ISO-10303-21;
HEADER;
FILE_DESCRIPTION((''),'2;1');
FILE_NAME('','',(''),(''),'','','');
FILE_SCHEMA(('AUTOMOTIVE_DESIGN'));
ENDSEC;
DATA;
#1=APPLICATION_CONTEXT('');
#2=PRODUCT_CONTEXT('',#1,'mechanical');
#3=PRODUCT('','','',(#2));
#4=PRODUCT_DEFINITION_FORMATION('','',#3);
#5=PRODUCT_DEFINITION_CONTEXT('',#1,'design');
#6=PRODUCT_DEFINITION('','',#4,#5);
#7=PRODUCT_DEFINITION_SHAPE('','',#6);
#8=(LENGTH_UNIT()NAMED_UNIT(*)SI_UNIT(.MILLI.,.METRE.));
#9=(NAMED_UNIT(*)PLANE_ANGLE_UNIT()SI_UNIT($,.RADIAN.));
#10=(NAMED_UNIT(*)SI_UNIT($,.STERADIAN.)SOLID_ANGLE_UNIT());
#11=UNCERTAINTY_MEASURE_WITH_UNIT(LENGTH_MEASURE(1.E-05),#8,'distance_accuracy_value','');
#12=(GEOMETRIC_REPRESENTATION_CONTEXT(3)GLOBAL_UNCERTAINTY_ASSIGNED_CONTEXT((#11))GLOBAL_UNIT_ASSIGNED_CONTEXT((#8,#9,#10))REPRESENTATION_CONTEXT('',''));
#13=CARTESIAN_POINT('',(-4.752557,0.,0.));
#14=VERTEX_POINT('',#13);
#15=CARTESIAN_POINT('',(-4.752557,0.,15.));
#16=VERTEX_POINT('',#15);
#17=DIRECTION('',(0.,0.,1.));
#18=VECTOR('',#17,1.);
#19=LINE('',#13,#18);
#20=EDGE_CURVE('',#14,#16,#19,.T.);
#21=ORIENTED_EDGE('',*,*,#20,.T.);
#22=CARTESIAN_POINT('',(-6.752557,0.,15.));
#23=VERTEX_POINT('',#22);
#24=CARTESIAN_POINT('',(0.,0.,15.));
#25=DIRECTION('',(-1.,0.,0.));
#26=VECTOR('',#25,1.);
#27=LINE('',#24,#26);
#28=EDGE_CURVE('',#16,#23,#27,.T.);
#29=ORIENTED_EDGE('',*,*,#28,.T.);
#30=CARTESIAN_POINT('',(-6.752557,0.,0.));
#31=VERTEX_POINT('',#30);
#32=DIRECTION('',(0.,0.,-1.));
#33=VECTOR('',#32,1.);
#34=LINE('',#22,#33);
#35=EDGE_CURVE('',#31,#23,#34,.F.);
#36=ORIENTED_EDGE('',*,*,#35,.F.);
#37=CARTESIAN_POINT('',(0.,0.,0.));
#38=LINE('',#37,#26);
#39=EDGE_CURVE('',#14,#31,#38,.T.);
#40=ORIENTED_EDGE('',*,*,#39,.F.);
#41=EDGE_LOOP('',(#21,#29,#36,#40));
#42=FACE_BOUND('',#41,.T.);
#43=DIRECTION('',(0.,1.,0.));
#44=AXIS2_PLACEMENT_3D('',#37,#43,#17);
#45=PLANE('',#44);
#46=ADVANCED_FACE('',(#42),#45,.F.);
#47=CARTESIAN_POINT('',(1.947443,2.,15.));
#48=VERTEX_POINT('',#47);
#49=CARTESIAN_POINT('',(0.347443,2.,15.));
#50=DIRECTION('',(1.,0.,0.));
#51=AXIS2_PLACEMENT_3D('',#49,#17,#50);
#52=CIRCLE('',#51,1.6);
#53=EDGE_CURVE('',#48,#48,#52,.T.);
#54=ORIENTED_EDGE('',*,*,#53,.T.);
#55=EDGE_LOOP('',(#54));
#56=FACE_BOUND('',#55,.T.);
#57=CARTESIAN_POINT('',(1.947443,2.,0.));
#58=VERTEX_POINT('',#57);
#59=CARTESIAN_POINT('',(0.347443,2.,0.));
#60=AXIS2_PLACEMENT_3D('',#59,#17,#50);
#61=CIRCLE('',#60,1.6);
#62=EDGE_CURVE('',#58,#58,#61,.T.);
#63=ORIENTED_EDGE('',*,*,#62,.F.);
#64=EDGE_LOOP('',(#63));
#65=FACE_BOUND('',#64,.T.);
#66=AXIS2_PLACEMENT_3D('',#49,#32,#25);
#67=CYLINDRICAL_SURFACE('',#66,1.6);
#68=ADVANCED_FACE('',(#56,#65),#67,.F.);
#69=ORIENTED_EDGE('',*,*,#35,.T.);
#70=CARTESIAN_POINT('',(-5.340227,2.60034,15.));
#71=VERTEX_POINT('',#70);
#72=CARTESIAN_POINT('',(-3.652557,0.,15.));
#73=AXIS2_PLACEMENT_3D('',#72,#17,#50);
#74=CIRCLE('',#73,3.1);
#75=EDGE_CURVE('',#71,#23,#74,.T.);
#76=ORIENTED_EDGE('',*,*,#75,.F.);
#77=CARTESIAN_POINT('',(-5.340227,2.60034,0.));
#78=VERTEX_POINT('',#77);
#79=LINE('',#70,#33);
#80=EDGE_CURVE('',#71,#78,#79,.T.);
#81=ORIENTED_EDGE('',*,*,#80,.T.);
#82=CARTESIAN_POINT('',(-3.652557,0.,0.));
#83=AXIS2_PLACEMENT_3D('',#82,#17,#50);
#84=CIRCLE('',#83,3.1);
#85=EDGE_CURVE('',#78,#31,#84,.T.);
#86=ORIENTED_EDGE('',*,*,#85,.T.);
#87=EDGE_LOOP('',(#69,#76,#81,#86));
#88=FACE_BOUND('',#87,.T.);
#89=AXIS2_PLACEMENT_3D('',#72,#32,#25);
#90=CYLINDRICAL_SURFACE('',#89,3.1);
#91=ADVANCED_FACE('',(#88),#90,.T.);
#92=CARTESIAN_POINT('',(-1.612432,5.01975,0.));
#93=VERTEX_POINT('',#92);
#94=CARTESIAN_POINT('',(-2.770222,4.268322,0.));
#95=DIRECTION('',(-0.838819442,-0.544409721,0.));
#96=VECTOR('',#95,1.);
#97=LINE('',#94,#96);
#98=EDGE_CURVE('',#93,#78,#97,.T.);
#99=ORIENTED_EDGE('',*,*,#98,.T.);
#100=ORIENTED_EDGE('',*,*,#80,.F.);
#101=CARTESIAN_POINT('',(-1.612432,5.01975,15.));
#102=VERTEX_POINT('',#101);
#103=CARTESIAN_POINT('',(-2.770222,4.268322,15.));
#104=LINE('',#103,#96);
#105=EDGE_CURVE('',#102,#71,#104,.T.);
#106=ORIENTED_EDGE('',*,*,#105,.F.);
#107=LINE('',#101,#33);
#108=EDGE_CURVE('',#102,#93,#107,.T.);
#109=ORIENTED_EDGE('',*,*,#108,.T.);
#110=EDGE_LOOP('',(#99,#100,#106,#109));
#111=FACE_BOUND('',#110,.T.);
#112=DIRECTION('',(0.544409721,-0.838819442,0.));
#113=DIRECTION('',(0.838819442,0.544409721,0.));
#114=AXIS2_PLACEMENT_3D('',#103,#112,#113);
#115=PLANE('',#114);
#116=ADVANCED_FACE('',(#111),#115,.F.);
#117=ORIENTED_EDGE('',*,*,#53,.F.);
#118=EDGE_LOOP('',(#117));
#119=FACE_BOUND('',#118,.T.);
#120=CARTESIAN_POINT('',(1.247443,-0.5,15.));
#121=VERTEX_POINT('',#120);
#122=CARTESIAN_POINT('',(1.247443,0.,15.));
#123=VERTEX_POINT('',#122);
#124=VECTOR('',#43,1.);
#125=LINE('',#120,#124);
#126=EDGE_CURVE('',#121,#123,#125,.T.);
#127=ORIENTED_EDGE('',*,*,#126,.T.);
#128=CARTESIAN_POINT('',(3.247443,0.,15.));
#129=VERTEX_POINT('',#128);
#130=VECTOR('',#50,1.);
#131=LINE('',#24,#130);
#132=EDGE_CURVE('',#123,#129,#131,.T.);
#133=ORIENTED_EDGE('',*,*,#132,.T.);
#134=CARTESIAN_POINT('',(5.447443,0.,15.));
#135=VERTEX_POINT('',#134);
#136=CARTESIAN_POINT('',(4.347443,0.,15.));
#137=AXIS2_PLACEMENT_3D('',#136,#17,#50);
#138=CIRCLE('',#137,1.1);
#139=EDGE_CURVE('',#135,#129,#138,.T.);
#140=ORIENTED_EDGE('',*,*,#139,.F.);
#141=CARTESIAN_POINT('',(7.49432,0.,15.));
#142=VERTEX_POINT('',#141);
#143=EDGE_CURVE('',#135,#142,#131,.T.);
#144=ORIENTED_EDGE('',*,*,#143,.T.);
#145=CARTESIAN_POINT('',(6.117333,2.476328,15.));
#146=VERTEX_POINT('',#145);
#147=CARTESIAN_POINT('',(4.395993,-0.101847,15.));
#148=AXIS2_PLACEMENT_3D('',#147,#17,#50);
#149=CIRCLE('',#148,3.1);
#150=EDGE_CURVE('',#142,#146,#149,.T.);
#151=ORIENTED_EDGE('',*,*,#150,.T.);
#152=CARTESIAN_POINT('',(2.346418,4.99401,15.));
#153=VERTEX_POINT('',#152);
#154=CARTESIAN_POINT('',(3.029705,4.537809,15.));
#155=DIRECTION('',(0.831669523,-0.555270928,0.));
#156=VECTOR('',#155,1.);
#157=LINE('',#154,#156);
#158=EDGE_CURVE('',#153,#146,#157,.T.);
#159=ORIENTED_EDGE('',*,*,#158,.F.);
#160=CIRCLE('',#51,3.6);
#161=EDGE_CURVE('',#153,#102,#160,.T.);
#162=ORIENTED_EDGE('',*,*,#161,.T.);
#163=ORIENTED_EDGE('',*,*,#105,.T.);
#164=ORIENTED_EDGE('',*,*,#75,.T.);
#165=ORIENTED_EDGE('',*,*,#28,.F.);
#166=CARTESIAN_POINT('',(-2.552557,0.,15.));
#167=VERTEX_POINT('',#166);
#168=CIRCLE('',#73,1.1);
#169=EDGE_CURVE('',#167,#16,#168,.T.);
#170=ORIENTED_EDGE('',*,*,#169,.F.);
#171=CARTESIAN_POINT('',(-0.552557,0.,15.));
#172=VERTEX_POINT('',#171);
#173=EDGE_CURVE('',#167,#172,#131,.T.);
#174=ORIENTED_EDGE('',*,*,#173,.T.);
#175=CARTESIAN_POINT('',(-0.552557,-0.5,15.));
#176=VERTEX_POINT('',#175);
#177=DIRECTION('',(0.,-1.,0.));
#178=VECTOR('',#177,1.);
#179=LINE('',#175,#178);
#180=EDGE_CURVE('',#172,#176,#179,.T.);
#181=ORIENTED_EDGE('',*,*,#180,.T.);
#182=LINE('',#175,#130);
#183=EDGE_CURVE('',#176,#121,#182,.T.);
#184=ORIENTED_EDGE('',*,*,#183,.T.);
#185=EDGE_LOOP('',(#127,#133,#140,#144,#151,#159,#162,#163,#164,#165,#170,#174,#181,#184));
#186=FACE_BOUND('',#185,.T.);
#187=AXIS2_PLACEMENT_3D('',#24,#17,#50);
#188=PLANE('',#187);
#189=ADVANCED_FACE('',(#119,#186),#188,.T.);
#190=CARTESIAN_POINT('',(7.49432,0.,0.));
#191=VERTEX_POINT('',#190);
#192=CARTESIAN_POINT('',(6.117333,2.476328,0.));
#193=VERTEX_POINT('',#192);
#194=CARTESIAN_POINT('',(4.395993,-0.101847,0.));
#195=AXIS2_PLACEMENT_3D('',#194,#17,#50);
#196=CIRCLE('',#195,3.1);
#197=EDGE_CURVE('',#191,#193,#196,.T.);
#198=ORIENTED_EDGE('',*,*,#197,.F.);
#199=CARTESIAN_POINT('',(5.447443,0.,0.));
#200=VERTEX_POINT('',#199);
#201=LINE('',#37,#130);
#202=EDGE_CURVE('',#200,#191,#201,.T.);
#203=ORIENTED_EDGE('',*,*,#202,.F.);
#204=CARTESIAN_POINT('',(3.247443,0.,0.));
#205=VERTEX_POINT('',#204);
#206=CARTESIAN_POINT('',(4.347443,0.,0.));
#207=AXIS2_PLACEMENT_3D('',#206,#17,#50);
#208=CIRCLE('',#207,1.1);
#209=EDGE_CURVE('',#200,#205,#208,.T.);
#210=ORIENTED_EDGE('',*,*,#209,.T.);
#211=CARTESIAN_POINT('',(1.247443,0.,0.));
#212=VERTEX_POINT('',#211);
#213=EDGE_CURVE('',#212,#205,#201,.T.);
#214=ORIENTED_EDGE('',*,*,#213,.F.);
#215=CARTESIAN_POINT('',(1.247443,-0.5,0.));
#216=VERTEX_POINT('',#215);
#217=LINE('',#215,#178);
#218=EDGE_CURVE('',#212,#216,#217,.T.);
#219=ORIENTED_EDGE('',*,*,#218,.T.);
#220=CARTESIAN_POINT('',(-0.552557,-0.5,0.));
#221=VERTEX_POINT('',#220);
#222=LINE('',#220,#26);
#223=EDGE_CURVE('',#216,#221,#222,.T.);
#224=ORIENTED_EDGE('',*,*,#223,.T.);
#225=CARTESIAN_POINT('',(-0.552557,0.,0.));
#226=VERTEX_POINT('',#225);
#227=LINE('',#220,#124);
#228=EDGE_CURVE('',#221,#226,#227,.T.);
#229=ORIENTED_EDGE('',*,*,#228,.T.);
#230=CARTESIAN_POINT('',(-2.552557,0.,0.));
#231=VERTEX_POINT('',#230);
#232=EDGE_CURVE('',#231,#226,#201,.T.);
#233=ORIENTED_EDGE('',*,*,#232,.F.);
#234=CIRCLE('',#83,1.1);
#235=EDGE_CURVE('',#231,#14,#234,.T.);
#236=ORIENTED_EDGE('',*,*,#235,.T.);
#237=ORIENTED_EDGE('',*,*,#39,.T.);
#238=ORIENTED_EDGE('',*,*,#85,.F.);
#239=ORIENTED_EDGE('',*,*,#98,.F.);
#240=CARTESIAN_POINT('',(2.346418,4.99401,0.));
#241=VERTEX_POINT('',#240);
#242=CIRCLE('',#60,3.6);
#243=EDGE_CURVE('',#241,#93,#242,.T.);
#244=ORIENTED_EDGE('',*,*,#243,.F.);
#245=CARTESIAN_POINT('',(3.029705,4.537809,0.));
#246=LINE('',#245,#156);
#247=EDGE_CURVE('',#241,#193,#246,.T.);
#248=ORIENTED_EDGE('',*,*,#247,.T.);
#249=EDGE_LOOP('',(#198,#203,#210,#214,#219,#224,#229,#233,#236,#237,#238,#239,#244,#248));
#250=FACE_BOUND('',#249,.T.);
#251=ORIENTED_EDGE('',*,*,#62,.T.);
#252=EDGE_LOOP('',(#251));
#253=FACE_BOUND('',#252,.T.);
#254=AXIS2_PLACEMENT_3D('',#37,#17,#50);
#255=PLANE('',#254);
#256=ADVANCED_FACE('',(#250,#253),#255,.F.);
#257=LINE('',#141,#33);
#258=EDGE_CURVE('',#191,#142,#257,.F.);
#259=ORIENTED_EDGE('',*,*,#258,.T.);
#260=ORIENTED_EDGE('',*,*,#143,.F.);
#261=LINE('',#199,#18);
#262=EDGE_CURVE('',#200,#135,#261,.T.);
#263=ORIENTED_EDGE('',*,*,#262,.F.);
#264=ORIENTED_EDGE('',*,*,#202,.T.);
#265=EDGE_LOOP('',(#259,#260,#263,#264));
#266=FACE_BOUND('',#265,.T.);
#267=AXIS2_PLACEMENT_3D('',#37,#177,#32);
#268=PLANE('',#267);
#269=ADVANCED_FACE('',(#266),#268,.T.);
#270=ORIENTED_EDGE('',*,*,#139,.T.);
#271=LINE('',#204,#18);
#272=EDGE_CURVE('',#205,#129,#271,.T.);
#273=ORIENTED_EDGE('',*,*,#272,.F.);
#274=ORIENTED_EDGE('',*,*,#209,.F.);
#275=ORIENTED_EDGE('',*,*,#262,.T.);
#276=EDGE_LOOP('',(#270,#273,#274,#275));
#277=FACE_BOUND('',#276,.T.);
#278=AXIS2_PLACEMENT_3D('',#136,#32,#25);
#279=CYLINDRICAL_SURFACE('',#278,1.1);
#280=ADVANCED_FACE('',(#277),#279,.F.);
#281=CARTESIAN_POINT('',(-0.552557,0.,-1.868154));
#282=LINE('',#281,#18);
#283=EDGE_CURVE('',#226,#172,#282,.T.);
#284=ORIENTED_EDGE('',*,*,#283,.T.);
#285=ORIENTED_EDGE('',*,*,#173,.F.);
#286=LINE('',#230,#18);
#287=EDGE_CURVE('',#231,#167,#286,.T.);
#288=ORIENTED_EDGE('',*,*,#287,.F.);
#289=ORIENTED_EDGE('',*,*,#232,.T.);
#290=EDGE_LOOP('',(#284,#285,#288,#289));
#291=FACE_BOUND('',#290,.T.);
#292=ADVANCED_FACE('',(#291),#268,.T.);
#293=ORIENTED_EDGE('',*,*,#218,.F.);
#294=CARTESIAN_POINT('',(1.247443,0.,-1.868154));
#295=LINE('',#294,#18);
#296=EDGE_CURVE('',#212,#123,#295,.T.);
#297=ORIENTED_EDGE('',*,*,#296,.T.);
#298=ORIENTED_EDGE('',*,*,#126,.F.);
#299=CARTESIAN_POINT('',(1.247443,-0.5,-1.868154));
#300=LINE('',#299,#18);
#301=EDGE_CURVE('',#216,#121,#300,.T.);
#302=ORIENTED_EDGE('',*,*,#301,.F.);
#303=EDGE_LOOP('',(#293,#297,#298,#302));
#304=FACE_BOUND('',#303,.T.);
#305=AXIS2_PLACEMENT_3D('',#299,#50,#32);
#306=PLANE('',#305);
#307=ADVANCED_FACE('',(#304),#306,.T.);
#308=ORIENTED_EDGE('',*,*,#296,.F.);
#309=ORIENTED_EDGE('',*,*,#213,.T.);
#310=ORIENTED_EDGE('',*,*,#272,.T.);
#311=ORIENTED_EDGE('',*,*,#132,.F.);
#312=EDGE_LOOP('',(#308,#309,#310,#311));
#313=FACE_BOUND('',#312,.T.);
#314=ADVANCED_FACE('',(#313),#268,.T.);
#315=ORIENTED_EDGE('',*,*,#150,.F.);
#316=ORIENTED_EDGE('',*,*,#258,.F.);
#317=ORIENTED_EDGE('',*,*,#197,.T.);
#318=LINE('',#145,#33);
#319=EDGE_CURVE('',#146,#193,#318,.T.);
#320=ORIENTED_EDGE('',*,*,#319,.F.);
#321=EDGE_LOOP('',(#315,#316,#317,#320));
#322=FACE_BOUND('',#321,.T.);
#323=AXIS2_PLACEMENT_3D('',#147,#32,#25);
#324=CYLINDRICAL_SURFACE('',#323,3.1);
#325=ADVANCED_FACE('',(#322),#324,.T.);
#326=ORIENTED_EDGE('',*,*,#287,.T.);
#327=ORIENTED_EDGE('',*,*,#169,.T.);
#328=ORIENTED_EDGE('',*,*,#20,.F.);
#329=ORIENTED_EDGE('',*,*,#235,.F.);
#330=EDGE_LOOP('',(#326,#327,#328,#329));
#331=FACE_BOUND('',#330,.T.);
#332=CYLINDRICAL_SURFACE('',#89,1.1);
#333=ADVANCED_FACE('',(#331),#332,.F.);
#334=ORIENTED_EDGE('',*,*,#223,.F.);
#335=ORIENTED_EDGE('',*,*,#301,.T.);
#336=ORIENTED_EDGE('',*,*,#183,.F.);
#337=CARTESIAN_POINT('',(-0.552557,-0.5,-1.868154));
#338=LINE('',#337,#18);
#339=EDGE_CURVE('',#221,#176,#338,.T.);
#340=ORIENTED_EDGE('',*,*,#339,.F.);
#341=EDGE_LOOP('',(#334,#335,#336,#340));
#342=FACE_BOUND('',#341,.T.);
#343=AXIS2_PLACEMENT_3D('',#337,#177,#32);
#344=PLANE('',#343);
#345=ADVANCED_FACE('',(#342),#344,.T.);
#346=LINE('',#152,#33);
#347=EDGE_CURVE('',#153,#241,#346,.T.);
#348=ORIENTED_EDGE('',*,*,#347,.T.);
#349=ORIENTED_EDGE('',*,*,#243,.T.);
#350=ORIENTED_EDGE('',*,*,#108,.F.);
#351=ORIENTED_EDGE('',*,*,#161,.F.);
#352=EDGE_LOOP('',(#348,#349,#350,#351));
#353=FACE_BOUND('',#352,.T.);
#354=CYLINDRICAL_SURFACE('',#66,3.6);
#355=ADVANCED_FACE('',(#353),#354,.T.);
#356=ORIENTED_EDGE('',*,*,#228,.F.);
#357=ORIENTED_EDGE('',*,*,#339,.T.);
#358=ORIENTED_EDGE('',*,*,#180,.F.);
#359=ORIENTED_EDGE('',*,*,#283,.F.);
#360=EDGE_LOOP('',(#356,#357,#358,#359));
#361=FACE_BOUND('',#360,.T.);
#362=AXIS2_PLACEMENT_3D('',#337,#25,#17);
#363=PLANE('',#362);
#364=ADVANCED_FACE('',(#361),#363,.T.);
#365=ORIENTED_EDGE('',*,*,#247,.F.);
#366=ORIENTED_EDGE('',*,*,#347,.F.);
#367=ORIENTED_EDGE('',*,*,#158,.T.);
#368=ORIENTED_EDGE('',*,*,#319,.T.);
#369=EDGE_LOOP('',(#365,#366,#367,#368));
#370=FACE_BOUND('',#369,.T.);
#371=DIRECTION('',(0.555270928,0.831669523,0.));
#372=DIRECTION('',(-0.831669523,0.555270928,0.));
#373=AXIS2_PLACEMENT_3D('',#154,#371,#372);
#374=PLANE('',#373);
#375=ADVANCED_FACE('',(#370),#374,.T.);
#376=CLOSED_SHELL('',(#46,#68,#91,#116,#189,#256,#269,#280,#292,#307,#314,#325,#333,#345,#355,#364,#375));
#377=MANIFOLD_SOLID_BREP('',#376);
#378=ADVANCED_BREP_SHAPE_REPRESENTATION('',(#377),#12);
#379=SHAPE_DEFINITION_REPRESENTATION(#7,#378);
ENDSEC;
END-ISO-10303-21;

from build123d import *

# Parameters (mm, degrees)
SKETCH1_R           = 1.1
SKETCH1_R_2         = 1.6
BOSS_EXTRUDE1_DEPTH = 15
CUT_EXTRUDE1_DEPTH  = 15
SKETCH4_W           = 1.8
SKETCH4_H           = 0.5
BOSS_EXTRUDE2_DEPTH = 15


with BuildPart() as part:
    # Sketch1 → Boss-Extrude1 (new body)
    with BuildSketch(Plane.XY):
        with BuildLine():
            Line((-1.61243197, 5.01974999), (-5.34022711, 2.600340269))
            ThreePointArc((-5.34022711, 2.600340269), (-6.625018483, -0.880041239), (-3.652556975, -3.1))
            Line((-3.652556975, -3.1), (4.395993446, -3.201847309))
            ThreePointArc((4.395993446, -3.201847309), (7.362670385, -1.001195929), (6.117333323, 2.476328214))
            Line((6.117333323, 2.476328214), (2.346418367, 4.994010285))
            ThreePointArc((2.346418367, 4.994010285), (0.370849058, 5.59992391), (-1.61243197, 5.01974999))
        make_face()
        with Locations((4.347443025, 0)):
            Circle(SKETCH1_R, mode=Mode.SUBTRACT)
        with Locations((0.347443025, 2)):
            Circle(SKETCH1_R_2, mode=Mode.SUBTRACT)
        with Locations((-3.652556975, 0)):
            Circle(SKETCH1_R, mode=Mode.SUBTRACT)
    extrude(amount=BOSS_EXTRUDE1_DEPTH)

    # Sketch3 → Cut-Extrude1 (cut)
    with BuildSketch(Plane.XY.offset(15)):
        with BuildLine():
            Line((-3.652556975, -3.1), (-3.652556975, -1.1))
            ThreePointArc((-3.652556975, -1.1), (-4.430374434, -0.777817459), (-4.752556975, 0))
            Line((-4.752556975, 0), (-6.752556975, 0))
            ThreePointArc((-6.752556975, 0), (-5.844587997, -2.192031022), (-3.652556975, -3.1))
        make_face()
        with BuildLine():
            Line((3.247443025, 0), (-2.552556975, 0))
            ThreePointArc((-2.552556975, 0), (-2.874739516, -0.777817459), (-3.652556975, -1.1))
            Line((-3.652556975, -1.1), (-3.652556975, -3.1))
            Line((-3.652556975, -3.1), (4.395993446, -3.201847309))
            ThreePointArc((4.395993446, -3.201847309), (6.623741934, -2.257569154), (7.49431995, 0))
            Line((7.49431995, 0), (5.447443025, 0))
            ThreePointArc((5.447443025, 0), (4.347443025, -1.1), (3.247443025, 0))
        make_face()
        with BuildLine():
            Line((-3.652556975, -4.774585684), (-3.652556975, -3.1))
            ThreePointArc((-3.652556975, -3.1), (-5.844587997, -2.192031022), (-6.752556975, 0))
            Line((-6.752556975, 0), (-12.259555469, 0))
            Line((-12.259555469, 0), (-12.259555469, -4.774585684))
            Line((-12.259555469, -4.774585684), (-3.652556975, -4.774585684))
        make_face()
        with BuildLine():
            Line((4.395993446, -3.201847309), (-3.652556975, -3.1))
            Line((-3.652556975, -3.1), (-3.652556975, -4.774585684))
            Line((-3.652556975, -4.774585684), (12.655202498, -4.774585684))
            Line((12.655202498, -4.774585684), (12.655202498, 0))
            Line((12.655202498, 0), (7.49431995, 0))
            ThreePointArc((7.49431995, 0), (6.623741934, -2.257569154), (4.395993446, -3.201847309))
        make_face()
    extrude(amount=-CUT_EXTRUDE1_DEPTH, mode=Mode.SUBTRACT)

    # Sketch4 → Boss-Extrude2 (add)
    with BuildSketch(Plane.XY.offset(15)):
        with Locations((0.347443025, -0.25)):
            Rectangle(SKETCH4_W, SKETCH4_H)
    extrude(amount=-BOSS_EXTRUDE2_DEPTH)


solid = part.part
